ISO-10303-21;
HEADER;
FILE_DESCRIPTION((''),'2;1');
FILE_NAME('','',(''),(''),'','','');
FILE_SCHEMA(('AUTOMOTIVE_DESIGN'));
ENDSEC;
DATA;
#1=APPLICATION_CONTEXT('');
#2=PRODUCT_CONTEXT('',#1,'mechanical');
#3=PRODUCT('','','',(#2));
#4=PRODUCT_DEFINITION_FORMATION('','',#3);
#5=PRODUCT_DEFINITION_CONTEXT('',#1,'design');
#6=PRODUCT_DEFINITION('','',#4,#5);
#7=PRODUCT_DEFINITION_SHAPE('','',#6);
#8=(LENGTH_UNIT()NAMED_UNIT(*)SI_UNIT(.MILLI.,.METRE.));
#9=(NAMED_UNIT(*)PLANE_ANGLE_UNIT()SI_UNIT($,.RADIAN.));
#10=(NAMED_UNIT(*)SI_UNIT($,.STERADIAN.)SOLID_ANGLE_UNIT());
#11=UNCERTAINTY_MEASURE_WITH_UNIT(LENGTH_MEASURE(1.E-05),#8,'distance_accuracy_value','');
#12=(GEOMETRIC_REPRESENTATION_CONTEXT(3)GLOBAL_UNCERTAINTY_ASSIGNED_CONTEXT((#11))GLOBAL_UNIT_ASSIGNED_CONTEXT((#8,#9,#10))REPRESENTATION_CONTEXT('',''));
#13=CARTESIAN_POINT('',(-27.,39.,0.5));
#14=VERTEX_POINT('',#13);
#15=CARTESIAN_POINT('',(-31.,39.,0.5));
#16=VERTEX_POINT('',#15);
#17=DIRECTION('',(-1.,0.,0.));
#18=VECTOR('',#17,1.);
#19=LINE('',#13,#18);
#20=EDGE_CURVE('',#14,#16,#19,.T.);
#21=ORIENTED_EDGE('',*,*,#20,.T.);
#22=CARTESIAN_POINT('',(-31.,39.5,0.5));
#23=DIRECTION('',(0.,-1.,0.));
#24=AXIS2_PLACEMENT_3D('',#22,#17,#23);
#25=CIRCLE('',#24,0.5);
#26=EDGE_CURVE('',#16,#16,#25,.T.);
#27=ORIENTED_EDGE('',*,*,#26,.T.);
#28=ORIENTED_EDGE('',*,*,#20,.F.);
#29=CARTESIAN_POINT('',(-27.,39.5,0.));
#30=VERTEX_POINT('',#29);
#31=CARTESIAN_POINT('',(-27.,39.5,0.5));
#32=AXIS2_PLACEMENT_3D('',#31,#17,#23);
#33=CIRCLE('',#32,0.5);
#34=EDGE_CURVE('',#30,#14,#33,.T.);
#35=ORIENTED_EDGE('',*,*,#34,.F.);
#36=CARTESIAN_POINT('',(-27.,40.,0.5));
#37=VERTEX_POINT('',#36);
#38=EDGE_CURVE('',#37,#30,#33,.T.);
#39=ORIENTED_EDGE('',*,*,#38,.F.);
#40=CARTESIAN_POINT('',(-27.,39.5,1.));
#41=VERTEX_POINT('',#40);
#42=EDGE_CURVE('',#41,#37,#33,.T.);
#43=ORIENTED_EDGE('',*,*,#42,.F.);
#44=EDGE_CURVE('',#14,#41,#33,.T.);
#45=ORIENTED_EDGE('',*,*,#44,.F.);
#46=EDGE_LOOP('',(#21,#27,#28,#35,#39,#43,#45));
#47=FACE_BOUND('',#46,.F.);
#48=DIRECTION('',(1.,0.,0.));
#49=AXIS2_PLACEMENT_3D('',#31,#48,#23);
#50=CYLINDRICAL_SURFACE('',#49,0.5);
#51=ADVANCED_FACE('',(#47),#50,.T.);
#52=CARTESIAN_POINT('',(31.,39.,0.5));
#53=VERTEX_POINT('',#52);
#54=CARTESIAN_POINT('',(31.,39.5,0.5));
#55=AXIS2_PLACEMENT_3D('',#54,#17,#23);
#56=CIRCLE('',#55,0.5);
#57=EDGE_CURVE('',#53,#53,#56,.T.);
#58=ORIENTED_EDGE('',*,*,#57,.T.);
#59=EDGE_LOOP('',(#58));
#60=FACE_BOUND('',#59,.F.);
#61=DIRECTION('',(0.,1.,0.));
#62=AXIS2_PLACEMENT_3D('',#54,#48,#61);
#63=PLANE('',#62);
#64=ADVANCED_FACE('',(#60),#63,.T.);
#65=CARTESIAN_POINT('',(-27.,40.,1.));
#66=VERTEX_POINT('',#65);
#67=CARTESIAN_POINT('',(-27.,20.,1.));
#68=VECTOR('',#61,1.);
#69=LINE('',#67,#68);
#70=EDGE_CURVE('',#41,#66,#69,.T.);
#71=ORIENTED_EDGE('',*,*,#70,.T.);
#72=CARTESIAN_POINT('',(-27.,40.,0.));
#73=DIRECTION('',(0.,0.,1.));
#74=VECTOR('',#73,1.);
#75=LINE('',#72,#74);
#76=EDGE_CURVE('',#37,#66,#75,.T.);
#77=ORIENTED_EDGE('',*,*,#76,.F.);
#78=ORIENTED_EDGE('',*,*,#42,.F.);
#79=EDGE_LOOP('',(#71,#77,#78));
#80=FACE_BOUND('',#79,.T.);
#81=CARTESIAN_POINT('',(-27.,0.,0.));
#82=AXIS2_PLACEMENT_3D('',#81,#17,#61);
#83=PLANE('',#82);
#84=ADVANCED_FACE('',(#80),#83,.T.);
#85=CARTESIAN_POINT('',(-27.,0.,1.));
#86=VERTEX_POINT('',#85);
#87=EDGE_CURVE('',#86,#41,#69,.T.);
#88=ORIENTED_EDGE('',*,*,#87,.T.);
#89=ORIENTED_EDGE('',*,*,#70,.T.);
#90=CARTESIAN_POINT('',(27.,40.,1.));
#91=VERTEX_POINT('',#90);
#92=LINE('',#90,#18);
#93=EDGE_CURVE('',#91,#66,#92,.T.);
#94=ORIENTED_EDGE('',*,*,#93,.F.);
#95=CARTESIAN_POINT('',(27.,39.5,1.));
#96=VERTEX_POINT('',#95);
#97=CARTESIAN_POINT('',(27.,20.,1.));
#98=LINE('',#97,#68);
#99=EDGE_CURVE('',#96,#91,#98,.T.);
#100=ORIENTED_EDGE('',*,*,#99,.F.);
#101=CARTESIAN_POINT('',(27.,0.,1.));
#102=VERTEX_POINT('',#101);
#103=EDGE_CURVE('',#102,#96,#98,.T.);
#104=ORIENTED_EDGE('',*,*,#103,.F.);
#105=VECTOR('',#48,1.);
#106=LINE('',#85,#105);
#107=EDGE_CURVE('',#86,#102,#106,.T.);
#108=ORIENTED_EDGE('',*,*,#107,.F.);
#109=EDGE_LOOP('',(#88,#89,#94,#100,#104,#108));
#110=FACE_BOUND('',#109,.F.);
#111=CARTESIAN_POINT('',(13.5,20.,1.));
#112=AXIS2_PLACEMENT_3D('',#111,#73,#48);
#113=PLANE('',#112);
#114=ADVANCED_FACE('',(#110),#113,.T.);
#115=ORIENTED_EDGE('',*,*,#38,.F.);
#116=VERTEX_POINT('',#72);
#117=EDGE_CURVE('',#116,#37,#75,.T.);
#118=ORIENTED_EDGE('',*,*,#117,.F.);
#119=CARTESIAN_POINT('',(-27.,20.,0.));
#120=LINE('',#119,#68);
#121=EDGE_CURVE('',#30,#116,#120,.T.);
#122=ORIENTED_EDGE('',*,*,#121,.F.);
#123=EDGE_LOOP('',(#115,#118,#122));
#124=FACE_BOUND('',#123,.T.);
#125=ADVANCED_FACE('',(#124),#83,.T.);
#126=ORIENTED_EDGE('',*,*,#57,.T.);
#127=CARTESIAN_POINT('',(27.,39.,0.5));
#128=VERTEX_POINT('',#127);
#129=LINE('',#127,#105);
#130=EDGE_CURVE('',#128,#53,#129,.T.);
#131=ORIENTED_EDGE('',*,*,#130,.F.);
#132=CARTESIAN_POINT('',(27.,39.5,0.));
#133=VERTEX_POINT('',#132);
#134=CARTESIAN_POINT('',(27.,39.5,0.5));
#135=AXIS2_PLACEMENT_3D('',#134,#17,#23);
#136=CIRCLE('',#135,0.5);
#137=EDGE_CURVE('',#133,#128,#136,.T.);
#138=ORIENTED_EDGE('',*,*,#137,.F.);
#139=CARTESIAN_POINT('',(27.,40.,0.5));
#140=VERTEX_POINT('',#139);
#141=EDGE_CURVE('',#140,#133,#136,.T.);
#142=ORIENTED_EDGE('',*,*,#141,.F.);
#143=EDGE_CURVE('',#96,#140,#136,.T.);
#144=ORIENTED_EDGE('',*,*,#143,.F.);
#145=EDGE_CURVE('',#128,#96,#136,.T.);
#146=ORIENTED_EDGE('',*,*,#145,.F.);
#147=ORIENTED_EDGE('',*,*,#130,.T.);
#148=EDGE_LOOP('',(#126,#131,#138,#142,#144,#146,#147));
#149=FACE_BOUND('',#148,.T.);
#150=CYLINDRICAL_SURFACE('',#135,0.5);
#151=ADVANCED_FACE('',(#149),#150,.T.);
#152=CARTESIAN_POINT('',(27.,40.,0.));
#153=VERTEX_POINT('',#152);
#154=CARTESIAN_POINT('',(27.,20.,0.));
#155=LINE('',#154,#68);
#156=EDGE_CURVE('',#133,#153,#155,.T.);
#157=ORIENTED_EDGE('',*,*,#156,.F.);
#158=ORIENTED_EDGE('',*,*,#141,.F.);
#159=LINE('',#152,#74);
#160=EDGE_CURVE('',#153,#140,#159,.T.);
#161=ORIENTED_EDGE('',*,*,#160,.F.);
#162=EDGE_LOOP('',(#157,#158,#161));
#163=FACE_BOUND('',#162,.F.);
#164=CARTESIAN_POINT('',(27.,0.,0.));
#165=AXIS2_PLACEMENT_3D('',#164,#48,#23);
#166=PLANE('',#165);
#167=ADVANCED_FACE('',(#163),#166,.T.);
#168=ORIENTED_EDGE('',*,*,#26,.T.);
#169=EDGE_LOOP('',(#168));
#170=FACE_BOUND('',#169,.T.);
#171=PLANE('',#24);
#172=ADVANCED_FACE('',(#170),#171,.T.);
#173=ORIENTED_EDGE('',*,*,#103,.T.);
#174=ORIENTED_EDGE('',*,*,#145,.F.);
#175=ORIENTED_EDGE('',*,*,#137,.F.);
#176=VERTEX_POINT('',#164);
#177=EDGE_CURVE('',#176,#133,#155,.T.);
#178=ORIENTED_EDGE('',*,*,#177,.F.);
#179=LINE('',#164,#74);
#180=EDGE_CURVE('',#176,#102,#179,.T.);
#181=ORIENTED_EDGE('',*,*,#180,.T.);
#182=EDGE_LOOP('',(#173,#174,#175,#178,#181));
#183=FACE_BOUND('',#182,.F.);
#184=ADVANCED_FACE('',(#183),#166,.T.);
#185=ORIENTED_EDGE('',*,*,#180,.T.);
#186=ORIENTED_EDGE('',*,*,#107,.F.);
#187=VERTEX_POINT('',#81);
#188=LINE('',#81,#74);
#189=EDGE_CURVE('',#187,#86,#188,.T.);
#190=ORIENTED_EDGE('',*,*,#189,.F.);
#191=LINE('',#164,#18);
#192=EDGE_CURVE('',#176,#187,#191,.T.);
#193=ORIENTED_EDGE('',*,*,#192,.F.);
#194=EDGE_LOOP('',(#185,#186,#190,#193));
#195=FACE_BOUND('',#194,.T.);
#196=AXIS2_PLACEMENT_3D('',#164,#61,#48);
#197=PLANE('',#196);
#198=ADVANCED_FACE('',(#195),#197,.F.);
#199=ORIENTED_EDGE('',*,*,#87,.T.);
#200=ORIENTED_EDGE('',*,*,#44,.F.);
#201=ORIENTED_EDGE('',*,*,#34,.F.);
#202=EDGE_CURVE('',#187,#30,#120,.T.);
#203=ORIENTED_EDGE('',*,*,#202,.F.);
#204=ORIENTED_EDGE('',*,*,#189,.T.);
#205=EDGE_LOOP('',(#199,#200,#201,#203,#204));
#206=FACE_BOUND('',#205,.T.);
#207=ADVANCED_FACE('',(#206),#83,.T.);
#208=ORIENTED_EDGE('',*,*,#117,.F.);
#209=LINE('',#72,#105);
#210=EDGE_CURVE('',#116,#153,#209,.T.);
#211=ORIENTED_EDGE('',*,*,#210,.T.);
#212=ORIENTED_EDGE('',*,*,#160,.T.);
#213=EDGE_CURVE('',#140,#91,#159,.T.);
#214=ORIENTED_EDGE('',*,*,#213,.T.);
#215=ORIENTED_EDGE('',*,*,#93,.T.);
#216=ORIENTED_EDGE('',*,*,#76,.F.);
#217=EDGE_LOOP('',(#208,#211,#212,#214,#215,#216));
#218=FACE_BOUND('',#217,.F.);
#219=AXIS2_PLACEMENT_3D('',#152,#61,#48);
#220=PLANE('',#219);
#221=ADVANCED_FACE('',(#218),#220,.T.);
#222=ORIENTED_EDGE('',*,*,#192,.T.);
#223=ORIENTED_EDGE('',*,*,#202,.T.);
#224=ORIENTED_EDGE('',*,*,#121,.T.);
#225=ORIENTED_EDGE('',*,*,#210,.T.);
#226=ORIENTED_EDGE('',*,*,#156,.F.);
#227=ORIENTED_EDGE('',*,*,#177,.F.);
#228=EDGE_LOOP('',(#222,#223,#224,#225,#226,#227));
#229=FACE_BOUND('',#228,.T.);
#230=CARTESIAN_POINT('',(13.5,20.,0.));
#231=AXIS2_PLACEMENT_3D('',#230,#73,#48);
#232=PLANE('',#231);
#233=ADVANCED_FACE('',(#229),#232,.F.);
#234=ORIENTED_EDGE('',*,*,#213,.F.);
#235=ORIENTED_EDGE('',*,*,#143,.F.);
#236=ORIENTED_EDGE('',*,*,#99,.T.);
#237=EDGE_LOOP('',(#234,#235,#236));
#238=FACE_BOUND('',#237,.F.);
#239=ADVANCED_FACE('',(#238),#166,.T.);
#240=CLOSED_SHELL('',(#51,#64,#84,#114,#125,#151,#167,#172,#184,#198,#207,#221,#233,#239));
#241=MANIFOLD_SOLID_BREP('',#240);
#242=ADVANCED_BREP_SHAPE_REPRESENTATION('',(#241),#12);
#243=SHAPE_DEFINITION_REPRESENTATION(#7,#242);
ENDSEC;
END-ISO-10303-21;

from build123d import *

# Parameters (mm, degrees)
SKETCH_W     = 27
SKETCH_H     = 40
PAD_DEPTH    = 1
SKETCH001_R  = 0.5
PAD001_DEPTH = 4


with BuildPart() as part:
    # Sketch → Pad (new body)
    with BuildSketch(Plane.XY):
        with Locations((-13.5, 20)):
            Rectangle(SKETCH_W, SKETCH_H)
    extrude(amount=PAD_DEPTH)

    # Sketch001 (on Face4 of Pad) → Pad001 (join)
    with BuildSketch(Plane(origin=(-27, 0, 0), x_dir=(0, -1, 0), z_dir=(-1, 0, 0))):
        with Locations((-39.5, 0.5)):
            Circle(SKETCH001_R)
    extrude(amount=PAD001_DEPTH)

    # Mirrored: part across YZ


with BuildPart() as part_1:
    add(part.part)
    add(part.part.mirror(Plane.YZ))


solid = part_1.part
